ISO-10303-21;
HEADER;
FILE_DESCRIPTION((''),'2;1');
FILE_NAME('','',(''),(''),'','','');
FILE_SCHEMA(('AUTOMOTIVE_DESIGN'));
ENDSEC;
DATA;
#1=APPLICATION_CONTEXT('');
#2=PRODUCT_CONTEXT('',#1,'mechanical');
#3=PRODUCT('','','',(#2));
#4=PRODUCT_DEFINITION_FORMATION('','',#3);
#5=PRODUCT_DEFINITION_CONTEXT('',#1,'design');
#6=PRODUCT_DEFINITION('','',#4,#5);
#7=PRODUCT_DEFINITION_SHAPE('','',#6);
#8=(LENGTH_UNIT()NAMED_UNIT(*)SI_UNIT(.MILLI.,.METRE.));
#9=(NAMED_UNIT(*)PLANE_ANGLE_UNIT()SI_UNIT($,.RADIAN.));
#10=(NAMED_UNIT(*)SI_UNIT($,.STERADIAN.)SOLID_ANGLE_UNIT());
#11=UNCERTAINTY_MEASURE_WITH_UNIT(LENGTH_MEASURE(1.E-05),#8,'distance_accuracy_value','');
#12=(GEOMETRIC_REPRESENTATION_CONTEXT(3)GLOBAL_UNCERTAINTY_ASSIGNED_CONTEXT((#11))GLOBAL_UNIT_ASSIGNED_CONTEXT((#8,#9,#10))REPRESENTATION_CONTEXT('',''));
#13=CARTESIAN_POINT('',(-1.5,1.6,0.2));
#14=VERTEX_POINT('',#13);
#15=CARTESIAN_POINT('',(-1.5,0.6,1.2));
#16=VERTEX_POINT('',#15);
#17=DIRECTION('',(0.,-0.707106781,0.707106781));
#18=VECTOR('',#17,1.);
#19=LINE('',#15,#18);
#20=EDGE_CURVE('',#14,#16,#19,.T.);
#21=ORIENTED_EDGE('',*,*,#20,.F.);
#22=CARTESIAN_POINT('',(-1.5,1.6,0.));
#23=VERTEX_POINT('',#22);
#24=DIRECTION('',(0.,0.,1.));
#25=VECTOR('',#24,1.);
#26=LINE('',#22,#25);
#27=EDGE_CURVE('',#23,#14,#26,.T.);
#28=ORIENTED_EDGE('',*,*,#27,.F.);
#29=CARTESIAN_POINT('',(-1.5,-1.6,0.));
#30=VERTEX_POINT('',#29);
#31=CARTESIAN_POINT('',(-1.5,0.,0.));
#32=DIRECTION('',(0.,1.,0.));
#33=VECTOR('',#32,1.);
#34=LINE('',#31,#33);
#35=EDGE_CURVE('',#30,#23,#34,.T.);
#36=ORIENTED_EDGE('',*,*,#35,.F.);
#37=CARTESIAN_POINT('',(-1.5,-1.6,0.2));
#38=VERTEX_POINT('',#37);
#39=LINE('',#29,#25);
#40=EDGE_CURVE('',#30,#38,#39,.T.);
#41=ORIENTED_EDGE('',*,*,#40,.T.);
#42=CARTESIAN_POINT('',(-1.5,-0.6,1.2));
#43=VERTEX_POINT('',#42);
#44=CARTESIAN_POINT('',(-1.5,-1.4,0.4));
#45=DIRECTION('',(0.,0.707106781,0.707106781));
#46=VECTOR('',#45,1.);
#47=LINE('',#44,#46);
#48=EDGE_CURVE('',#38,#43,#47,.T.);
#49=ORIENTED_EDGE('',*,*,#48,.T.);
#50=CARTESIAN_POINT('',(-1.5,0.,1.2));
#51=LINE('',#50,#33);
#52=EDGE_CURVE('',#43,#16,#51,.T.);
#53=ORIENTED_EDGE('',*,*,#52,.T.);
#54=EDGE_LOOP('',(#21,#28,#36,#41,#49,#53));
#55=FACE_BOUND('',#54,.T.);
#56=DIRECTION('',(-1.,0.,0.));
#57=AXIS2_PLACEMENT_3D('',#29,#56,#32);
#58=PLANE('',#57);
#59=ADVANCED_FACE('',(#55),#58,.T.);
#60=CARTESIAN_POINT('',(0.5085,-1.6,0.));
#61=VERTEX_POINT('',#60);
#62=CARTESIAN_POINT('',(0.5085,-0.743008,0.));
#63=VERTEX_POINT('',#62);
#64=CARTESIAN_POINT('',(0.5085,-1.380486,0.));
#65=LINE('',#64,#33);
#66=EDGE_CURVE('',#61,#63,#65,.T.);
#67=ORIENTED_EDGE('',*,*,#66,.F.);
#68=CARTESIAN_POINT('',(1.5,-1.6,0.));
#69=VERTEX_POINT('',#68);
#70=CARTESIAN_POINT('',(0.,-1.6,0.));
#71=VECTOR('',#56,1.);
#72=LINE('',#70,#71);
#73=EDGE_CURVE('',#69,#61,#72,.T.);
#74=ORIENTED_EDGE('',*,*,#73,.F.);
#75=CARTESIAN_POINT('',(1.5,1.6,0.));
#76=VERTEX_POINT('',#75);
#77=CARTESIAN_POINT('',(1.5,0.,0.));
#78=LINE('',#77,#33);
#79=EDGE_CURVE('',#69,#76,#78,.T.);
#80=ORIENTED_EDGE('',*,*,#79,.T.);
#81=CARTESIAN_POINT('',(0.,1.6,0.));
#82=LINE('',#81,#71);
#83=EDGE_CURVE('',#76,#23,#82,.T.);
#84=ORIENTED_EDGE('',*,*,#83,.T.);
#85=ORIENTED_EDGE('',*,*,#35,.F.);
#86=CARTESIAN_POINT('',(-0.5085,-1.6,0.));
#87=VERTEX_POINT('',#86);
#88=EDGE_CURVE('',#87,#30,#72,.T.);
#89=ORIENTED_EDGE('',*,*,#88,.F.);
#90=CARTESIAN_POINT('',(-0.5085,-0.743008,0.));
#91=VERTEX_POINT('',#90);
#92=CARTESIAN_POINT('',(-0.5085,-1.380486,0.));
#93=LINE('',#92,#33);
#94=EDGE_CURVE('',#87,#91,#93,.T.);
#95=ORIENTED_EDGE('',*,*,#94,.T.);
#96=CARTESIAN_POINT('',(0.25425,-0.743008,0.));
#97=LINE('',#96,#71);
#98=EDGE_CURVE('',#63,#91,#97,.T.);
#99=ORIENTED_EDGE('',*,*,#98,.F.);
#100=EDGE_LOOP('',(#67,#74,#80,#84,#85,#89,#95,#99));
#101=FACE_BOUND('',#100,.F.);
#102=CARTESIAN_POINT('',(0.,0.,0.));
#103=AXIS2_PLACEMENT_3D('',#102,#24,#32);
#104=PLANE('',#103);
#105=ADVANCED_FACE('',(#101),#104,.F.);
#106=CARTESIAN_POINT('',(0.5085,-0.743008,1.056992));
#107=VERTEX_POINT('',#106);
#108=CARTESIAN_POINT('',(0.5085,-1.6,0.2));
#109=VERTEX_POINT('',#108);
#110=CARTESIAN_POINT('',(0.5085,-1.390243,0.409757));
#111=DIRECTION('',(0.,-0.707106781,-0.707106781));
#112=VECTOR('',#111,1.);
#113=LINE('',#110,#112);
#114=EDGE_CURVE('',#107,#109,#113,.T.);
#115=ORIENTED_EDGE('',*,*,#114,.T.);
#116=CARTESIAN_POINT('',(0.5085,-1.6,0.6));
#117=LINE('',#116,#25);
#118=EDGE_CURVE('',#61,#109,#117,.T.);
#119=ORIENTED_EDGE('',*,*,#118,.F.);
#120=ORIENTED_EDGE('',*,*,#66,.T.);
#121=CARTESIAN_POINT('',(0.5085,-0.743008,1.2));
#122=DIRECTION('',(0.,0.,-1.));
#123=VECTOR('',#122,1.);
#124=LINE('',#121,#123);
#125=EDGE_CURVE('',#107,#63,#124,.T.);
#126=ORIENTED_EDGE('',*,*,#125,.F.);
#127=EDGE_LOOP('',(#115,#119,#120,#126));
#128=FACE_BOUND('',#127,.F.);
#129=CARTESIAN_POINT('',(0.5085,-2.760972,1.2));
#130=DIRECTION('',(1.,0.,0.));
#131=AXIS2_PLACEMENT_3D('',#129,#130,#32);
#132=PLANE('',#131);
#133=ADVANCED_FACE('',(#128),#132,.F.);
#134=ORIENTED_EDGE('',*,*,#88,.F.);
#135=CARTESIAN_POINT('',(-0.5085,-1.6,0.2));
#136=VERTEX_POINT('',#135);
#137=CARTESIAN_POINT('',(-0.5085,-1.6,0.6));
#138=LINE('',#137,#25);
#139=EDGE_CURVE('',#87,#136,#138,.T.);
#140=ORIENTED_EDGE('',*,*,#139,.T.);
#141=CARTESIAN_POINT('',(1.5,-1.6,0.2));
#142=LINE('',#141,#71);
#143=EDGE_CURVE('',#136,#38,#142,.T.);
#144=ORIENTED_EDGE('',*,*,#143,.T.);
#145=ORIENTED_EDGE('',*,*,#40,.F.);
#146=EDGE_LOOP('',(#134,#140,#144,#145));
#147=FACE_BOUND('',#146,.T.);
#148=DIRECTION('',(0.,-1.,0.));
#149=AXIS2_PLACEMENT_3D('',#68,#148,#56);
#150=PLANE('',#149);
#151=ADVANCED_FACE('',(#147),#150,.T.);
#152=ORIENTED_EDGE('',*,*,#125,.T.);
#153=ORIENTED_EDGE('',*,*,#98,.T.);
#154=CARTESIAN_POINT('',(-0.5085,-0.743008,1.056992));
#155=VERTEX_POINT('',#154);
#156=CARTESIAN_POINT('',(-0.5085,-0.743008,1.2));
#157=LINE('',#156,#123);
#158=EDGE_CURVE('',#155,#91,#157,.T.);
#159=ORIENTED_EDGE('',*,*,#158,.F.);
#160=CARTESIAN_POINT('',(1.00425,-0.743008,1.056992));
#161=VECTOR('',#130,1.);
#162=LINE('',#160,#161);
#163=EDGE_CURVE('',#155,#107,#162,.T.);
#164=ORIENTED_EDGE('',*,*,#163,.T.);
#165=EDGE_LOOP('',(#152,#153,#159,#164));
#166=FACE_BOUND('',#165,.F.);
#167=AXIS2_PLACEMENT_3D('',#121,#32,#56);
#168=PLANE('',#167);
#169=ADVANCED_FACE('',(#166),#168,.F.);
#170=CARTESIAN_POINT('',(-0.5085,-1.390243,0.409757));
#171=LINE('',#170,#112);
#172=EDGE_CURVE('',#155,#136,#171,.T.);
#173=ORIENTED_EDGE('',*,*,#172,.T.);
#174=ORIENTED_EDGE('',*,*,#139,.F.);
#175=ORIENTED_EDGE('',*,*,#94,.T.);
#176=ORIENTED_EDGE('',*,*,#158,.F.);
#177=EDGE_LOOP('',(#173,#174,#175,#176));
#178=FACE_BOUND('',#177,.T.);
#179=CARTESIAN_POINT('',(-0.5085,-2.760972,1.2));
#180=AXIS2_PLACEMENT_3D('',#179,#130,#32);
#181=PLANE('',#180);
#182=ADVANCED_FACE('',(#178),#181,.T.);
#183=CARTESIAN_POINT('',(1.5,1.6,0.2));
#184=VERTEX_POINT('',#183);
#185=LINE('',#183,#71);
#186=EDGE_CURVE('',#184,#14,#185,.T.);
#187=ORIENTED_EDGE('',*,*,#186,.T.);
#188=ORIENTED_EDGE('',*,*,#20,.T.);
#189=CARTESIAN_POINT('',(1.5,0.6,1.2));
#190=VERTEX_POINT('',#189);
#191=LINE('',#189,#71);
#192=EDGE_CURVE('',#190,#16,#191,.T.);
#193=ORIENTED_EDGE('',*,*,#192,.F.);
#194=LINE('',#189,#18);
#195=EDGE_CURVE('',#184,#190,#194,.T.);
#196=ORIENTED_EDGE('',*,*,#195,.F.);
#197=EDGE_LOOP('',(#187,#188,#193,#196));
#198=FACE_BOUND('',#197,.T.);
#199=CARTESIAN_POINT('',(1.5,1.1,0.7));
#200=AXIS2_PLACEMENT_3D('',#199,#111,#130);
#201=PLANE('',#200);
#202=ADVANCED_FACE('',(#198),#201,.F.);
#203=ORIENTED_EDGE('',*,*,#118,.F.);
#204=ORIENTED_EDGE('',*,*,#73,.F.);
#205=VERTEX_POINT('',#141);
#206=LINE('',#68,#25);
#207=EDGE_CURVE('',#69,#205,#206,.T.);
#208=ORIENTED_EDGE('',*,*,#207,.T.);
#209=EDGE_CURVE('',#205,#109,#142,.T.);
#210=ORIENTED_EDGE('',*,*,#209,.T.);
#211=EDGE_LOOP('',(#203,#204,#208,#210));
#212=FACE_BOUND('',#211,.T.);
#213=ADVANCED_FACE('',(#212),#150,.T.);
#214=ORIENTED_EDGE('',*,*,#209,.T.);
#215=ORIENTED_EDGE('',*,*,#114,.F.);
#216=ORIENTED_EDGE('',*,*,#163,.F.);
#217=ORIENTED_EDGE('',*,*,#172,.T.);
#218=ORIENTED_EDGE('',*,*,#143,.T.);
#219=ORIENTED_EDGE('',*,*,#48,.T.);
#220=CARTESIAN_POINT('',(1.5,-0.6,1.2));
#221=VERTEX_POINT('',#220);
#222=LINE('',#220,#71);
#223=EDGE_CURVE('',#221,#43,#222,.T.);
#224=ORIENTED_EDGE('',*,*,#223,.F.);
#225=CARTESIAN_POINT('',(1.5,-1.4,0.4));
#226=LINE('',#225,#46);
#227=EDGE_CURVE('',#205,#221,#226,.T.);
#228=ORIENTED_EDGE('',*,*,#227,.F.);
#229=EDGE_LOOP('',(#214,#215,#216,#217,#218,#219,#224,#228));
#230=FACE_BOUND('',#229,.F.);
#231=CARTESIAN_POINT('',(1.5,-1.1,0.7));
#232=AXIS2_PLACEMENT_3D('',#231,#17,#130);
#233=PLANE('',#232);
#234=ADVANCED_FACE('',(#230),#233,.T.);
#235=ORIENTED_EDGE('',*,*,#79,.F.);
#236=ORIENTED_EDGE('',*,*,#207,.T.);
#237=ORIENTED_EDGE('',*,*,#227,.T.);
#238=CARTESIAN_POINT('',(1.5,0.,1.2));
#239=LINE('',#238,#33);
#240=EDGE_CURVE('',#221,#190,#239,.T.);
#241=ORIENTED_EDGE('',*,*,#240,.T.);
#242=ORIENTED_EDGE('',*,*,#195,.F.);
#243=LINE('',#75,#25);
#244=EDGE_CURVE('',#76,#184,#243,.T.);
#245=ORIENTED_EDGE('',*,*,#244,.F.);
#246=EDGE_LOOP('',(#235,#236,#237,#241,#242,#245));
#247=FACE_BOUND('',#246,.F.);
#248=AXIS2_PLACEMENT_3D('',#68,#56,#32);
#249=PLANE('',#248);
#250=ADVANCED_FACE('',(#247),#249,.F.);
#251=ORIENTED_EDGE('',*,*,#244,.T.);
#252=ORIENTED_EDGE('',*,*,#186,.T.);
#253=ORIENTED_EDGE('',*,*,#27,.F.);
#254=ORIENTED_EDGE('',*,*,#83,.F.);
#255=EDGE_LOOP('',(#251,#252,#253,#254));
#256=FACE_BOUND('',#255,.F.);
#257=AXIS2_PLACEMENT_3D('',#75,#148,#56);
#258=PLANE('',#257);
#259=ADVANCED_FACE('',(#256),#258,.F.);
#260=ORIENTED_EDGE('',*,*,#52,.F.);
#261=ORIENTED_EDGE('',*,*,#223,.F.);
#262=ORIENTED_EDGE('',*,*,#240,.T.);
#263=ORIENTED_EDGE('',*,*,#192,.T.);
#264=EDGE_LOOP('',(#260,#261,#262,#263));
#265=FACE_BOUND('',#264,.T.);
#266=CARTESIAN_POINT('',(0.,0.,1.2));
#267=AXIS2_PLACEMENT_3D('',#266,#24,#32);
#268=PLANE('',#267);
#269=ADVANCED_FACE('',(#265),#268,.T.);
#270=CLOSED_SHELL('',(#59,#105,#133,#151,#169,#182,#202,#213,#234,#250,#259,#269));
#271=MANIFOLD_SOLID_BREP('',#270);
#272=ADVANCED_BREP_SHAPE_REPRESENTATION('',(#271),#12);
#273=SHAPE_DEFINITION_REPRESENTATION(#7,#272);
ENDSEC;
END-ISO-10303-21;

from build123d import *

# Parameters (mm, degrees)
SKETCH022_W             = 3.2
SKETCH022_H             = 3
PAD022_DEPTH            = 1.2
CHAMFER008_SIZE         = 1
SKETCH023_W             = 2.017963
SKETCH023_H             = 1.017
POCKET_DEPTH            = 5
BODY022_PLACEMENT_ANGLE = 90


with BuildPart() as part:
    # Sketch022 → Pad022 (new body)
    with BuildSketch(Plane.XY):
        Rectangle(SKETCH022_W, SKETCH022_H)
    extrude(amount=PAD022_DEPTH)

    # Chamfer008
    chamfer008_edges = [part.edges().sort_by_distance(p)[0] for p in [
        (-1.6, 0, 1.2),
        (1.6, 0, 1.2),
    ]]
    chamfer(chamfer008_edges, length=CHAMFER008_SIZE)

    # Sketch023 (on Face5 of Chamfer008) → Pocket (cut)
    with BuildSketch(Plane.XY.offset(1.2)):
        with Locations((-1.75199, 0)):
            Rectangle(SKETCH023_W, SKETCH023_H)
    extrude(amount=-POCKET_DEPTH, mode=Mode.SUBTRACT)


with BuildPart() as part_1:
    # Body022 placement: moved
    add(part.part.rotate(Axis((0, 0, 0), (0, 0, 1)), BODY022_PLACEMENT_ANGLE))


solid = part_1.part
